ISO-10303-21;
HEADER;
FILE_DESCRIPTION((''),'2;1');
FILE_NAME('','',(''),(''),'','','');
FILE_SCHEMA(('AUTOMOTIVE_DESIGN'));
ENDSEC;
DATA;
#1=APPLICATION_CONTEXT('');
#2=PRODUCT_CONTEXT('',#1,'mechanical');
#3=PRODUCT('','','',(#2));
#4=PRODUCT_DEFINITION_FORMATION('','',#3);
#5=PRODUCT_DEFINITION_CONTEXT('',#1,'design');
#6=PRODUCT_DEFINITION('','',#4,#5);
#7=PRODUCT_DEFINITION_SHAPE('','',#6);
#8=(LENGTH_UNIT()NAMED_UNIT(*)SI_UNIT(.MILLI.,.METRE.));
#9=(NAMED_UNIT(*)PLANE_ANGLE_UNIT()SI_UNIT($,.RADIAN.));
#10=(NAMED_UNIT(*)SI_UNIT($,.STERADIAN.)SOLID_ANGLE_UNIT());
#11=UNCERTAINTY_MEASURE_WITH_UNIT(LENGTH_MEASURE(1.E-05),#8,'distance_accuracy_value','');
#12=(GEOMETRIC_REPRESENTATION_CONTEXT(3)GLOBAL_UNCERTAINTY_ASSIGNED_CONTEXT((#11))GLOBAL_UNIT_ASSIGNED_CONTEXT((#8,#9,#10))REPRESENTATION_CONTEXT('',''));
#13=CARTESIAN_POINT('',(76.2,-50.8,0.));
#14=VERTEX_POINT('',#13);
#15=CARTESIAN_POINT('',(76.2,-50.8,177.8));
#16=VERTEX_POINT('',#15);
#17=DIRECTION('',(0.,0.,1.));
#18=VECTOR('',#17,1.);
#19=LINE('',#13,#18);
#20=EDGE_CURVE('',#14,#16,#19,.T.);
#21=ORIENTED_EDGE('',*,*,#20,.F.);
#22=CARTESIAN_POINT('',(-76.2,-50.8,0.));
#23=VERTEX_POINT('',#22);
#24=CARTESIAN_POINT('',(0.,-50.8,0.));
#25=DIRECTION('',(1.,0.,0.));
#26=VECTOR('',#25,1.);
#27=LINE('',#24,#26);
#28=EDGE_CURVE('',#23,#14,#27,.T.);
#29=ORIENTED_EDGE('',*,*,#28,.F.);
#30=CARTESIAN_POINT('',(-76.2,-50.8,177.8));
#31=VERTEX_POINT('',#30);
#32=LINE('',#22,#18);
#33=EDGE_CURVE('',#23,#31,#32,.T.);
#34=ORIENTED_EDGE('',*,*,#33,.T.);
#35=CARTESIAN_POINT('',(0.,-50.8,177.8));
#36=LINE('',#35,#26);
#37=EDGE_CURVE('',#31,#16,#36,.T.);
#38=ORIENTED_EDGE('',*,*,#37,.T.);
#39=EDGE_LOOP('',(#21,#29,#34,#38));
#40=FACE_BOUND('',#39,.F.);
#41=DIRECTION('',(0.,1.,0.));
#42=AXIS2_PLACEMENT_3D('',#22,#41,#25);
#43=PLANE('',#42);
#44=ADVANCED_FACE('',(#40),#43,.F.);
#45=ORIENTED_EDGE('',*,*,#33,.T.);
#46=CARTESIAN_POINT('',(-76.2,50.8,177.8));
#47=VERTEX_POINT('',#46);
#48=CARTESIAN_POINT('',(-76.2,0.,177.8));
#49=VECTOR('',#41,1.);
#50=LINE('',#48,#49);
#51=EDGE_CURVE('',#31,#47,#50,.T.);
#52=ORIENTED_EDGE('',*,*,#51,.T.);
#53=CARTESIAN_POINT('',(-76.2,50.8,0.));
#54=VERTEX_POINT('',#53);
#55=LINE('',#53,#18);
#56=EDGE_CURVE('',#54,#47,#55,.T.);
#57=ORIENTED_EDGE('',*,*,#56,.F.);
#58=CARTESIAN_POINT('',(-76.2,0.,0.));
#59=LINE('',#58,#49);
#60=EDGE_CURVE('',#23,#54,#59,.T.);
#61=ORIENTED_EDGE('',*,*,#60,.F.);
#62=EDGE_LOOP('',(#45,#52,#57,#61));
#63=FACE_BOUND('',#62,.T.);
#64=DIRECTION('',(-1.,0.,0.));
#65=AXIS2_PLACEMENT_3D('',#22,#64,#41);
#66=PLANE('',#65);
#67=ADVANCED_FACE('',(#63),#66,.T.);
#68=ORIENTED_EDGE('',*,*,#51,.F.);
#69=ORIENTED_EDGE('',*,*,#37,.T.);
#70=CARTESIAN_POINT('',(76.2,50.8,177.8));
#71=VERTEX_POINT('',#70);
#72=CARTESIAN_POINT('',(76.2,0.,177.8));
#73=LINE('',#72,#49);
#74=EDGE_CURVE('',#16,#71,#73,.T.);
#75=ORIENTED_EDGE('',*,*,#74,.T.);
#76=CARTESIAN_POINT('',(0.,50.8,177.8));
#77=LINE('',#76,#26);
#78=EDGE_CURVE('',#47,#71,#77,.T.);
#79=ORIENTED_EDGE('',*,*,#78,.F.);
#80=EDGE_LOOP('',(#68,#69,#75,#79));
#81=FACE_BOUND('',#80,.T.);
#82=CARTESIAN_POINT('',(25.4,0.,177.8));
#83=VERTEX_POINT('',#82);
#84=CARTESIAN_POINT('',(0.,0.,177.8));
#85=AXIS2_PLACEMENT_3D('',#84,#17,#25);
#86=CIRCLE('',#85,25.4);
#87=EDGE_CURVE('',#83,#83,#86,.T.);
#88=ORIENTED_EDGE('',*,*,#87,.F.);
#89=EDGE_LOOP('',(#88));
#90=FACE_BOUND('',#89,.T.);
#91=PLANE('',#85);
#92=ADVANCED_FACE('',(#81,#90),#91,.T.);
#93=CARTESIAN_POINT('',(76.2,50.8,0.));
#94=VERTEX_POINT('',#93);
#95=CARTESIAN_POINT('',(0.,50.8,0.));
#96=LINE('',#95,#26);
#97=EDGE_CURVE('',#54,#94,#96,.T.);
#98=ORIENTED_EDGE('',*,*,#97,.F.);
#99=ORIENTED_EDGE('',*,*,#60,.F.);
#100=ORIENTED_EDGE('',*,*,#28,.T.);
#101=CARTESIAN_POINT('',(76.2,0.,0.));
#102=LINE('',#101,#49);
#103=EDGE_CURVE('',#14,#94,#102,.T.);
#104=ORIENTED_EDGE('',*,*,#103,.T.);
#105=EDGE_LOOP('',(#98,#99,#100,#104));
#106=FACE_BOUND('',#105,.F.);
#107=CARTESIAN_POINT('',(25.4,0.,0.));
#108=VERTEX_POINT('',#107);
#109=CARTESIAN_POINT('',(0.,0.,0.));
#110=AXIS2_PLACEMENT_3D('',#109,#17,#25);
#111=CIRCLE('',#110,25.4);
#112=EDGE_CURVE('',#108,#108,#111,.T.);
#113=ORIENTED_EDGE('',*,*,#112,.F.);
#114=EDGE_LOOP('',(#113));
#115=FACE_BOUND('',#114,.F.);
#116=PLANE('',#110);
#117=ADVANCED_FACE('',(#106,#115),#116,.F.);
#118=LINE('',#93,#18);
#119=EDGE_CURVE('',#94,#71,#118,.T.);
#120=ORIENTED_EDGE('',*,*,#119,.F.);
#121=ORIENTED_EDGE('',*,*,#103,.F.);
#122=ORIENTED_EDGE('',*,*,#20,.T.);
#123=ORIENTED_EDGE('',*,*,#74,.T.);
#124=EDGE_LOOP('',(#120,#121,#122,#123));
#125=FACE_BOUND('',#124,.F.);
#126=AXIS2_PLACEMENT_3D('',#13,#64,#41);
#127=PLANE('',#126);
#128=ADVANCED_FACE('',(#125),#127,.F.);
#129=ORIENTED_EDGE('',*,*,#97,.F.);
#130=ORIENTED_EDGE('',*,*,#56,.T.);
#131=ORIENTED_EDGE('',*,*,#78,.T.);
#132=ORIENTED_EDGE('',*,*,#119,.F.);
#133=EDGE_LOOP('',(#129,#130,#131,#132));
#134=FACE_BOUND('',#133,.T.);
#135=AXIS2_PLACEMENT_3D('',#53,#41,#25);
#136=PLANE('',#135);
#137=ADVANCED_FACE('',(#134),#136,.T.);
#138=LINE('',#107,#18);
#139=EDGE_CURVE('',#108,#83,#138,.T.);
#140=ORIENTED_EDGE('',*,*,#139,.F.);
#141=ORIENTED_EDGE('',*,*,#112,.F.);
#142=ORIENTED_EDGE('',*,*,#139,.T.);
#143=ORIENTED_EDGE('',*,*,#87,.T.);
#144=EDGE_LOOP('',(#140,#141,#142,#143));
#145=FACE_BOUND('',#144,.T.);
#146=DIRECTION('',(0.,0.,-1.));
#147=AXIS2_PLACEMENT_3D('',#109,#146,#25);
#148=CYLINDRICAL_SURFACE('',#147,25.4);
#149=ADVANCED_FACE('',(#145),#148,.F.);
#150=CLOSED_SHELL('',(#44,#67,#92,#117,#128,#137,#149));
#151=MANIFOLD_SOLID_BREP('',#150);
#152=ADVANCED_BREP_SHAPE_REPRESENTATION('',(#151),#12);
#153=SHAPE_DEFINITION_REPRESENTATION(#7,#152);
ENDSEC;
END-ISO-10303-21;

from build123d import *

# Parameters (mm, degrees)
F1_W     = 152.4
F1_H     = 101.6
F1_R     = 25.4
F2_DEPTH = 177.8


with BuildPart() as f2:
    # F1 (on face) → F2 (new body)
    with BuildSketch(Plane.XY):
        Rectangle(F1_W, F1_H)
        Circle(F1_R, mode=Mode.SUBTRACT)
    extrude(amount=F2_DEPTH)


solid = f2.part
